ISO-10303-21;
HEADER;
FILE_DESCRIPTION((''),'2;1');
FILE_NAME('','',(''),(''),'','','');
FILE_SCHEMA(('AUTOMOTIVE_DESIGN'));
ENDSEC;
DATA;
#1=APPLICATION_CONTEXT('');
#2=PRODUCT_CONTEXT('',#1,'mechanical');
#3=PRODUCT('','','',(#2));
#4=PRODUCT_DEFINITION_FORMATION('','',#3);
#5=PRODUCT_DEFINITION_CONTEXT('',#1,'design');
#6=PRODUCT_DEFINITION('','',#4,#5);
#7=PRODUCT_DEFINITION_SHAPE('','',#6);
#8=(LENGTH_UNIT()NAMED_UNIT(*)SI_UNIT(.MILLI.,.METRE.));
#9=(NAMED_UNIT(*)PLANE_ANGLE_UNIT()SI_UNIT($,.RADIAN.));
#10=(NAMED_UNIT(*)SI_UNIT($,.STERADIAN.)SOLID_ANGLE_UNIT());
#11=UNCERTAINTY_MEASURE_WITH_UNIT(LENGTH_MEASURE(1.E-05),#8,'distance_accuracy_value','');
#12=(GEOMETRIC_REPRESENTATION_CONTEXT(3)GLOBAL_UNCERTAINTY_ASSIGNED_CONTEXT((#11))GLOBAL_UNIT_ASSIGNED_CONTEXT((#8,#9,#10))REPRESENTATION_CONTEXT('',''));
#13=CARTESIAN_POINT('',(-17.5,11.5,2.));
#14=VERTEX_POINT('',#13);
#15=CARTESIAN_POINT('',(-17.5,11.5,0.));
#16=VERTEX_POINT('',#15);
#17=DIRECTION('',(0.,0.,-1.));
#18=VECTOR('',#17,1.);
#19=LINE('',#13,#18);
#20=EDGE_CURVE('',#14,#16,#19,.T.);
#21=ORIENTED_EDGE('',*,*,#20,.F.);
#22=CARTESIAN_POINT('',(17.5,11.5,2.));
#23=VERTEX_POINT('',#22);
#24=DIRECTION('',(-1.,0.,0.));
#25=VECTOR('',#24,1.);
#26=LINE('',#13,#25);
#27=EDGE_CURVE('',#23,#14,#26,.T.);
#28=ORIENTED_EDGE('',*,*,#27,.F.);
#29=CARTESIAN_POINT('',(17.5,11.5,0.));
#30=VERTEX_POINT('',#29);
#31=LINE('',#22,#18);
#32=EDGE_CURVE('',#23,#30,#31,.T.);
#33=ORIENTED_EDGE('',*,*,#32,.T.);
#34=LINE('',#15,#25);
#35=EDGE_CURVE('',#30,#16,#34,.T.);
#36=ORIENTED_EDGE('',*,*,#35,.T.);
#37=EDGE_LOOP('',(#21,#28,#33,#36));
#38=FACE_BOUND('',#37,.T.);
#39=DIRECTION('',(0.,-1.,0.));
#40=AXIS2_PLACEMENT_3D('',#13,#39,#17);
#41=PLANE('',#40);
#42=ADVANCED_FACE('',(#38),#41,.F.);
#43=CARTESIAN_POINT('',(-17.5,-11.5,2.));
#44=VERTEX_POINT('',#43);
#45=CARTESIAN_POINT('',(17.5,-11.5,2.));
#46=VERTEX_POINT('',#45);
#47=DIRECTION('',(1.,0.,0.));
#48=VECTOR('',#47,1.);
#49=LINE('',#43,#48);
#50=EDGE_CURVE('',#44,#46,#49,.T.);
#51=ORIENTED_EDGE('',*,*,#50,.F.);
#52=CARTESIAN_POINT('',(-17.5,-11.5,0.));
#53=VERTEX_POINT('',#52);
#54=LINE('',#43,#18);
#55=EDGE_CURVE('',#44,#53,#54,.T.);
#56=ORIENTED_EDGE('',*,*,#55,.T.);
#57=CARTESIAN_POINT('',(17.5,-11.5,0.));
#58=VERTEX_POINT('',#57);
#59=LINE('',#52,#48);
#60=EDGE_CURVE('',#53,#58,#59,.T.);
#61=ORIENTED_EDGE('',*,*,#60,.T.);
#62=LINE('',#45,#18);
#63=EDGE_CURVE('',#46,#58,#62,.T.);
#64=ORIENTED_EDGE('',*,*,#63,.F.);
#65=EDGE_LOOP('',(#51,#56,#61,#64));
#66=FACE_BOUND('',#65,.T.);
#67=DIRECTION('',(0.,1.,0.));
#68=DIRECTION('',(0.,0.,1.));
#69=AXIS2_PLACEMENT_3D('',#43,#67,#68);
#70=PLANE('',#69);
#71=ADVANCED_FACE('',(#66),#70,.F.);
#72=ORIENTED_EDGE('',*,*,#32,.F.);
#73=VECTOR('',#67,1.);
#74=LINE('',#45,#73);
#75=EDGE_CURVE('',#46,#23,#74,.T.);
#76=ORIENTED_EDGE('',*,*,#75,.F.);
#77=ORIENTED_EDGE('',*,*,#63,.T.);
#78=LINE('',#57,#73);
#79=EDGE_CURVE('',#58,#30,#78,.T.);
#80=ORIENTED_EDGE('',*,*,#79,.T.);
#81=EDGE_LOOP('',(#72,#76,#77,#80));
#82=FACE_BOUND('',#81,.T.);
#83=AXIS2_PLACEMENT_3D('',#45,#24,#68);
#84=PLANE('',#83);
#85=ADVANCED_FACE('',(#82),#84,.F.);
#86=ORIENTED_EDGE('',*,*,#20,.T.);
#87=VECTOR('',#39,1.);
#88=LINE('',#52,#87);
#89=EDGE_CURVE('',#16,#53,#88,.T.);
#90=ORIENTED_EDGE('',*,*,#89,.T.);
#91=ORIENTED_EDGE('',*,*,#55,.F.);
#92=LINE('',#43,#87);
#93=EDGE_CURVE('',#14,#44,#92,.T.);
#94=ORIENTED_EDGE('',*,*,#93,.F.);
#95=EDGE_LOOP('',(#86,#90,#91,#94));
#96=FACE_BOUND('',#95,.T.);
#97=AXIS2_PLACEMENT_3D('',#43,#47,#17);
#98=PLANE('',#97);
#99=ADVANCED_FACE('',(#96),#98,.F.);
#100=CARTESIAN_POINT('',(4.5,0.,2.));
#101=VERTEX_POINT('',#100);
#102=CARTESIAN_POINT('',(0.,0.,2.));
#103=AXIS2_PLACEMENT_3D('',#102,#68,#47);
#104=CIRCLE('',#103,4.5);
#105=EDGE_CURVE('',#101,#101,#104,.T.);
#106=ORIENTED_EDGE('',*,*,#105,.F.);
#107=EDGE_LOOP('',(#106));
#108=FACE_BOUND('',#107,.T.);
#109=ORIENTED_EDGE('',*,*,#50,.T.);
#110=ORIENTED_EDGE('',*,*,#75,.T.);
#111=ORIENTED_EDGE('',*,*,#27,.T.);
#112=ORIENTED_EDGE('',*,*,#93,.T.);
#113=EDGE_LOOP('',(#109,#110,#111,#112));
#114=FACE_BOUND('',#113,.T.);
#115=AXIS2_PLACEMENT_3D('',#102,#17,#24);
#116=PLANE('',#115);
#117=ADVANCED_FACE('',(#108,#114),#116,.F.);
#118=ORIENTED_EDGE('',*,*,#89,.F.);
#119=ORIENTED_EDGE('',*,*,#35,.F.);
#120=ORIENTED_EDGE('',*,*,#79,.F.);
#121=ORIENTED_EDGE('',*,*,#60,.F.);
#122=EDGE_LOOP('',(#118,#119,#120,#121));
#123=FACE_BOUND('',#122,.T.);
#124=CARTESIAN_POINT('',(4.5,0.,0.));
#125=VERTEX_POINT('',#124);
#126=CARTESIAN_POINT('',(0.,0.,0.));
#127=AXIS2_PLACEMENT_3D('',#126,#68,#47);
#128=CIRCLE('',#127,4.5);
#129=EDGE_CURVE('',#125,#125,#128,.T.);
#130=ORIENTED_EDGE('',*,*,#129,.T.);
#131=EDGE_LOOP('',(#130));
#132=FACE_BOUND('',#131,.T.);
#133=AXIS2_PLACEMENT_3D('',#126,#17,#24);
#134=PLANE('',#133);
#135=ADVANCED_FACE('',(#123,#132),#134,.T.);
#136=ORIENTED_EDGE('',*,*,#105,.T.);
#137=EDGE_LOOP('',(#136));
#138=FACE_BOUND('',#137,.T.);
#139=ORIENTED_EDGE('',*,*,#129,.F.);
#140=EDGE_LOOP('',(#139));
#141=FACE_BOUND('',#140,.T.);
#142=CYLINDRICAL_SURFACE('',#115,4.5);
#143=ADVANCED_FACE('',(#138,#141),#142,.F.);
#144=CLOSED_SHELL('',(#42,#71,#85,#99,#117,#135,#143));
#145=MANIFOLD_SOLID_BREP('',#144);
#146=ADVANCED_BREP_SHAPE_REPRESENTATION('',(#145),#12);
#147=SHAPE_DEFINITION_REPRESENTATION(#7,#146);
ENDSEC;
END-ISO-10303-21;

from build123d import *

# Parameters (mm, degrees)
SKETCH1_W           = 35
SKETCH1_H           = 23
SKETCH1_R           = 4.5
BOSS_EXTRUDE1_DEPTH = 2


with BuildPart() as part:
    # Sketch1 → Boss-Extrude1 (new body)
    with BuildSketch(Plane.XY):
        Rectangle(SKETCH1_W, SKETCH1_H)
        Circle(SKETCH1_R, mode=Mode.SUBTRACT)
    extrude(amount=BOSS_EXTRUDE1_DEPTH)


solid = part.part
